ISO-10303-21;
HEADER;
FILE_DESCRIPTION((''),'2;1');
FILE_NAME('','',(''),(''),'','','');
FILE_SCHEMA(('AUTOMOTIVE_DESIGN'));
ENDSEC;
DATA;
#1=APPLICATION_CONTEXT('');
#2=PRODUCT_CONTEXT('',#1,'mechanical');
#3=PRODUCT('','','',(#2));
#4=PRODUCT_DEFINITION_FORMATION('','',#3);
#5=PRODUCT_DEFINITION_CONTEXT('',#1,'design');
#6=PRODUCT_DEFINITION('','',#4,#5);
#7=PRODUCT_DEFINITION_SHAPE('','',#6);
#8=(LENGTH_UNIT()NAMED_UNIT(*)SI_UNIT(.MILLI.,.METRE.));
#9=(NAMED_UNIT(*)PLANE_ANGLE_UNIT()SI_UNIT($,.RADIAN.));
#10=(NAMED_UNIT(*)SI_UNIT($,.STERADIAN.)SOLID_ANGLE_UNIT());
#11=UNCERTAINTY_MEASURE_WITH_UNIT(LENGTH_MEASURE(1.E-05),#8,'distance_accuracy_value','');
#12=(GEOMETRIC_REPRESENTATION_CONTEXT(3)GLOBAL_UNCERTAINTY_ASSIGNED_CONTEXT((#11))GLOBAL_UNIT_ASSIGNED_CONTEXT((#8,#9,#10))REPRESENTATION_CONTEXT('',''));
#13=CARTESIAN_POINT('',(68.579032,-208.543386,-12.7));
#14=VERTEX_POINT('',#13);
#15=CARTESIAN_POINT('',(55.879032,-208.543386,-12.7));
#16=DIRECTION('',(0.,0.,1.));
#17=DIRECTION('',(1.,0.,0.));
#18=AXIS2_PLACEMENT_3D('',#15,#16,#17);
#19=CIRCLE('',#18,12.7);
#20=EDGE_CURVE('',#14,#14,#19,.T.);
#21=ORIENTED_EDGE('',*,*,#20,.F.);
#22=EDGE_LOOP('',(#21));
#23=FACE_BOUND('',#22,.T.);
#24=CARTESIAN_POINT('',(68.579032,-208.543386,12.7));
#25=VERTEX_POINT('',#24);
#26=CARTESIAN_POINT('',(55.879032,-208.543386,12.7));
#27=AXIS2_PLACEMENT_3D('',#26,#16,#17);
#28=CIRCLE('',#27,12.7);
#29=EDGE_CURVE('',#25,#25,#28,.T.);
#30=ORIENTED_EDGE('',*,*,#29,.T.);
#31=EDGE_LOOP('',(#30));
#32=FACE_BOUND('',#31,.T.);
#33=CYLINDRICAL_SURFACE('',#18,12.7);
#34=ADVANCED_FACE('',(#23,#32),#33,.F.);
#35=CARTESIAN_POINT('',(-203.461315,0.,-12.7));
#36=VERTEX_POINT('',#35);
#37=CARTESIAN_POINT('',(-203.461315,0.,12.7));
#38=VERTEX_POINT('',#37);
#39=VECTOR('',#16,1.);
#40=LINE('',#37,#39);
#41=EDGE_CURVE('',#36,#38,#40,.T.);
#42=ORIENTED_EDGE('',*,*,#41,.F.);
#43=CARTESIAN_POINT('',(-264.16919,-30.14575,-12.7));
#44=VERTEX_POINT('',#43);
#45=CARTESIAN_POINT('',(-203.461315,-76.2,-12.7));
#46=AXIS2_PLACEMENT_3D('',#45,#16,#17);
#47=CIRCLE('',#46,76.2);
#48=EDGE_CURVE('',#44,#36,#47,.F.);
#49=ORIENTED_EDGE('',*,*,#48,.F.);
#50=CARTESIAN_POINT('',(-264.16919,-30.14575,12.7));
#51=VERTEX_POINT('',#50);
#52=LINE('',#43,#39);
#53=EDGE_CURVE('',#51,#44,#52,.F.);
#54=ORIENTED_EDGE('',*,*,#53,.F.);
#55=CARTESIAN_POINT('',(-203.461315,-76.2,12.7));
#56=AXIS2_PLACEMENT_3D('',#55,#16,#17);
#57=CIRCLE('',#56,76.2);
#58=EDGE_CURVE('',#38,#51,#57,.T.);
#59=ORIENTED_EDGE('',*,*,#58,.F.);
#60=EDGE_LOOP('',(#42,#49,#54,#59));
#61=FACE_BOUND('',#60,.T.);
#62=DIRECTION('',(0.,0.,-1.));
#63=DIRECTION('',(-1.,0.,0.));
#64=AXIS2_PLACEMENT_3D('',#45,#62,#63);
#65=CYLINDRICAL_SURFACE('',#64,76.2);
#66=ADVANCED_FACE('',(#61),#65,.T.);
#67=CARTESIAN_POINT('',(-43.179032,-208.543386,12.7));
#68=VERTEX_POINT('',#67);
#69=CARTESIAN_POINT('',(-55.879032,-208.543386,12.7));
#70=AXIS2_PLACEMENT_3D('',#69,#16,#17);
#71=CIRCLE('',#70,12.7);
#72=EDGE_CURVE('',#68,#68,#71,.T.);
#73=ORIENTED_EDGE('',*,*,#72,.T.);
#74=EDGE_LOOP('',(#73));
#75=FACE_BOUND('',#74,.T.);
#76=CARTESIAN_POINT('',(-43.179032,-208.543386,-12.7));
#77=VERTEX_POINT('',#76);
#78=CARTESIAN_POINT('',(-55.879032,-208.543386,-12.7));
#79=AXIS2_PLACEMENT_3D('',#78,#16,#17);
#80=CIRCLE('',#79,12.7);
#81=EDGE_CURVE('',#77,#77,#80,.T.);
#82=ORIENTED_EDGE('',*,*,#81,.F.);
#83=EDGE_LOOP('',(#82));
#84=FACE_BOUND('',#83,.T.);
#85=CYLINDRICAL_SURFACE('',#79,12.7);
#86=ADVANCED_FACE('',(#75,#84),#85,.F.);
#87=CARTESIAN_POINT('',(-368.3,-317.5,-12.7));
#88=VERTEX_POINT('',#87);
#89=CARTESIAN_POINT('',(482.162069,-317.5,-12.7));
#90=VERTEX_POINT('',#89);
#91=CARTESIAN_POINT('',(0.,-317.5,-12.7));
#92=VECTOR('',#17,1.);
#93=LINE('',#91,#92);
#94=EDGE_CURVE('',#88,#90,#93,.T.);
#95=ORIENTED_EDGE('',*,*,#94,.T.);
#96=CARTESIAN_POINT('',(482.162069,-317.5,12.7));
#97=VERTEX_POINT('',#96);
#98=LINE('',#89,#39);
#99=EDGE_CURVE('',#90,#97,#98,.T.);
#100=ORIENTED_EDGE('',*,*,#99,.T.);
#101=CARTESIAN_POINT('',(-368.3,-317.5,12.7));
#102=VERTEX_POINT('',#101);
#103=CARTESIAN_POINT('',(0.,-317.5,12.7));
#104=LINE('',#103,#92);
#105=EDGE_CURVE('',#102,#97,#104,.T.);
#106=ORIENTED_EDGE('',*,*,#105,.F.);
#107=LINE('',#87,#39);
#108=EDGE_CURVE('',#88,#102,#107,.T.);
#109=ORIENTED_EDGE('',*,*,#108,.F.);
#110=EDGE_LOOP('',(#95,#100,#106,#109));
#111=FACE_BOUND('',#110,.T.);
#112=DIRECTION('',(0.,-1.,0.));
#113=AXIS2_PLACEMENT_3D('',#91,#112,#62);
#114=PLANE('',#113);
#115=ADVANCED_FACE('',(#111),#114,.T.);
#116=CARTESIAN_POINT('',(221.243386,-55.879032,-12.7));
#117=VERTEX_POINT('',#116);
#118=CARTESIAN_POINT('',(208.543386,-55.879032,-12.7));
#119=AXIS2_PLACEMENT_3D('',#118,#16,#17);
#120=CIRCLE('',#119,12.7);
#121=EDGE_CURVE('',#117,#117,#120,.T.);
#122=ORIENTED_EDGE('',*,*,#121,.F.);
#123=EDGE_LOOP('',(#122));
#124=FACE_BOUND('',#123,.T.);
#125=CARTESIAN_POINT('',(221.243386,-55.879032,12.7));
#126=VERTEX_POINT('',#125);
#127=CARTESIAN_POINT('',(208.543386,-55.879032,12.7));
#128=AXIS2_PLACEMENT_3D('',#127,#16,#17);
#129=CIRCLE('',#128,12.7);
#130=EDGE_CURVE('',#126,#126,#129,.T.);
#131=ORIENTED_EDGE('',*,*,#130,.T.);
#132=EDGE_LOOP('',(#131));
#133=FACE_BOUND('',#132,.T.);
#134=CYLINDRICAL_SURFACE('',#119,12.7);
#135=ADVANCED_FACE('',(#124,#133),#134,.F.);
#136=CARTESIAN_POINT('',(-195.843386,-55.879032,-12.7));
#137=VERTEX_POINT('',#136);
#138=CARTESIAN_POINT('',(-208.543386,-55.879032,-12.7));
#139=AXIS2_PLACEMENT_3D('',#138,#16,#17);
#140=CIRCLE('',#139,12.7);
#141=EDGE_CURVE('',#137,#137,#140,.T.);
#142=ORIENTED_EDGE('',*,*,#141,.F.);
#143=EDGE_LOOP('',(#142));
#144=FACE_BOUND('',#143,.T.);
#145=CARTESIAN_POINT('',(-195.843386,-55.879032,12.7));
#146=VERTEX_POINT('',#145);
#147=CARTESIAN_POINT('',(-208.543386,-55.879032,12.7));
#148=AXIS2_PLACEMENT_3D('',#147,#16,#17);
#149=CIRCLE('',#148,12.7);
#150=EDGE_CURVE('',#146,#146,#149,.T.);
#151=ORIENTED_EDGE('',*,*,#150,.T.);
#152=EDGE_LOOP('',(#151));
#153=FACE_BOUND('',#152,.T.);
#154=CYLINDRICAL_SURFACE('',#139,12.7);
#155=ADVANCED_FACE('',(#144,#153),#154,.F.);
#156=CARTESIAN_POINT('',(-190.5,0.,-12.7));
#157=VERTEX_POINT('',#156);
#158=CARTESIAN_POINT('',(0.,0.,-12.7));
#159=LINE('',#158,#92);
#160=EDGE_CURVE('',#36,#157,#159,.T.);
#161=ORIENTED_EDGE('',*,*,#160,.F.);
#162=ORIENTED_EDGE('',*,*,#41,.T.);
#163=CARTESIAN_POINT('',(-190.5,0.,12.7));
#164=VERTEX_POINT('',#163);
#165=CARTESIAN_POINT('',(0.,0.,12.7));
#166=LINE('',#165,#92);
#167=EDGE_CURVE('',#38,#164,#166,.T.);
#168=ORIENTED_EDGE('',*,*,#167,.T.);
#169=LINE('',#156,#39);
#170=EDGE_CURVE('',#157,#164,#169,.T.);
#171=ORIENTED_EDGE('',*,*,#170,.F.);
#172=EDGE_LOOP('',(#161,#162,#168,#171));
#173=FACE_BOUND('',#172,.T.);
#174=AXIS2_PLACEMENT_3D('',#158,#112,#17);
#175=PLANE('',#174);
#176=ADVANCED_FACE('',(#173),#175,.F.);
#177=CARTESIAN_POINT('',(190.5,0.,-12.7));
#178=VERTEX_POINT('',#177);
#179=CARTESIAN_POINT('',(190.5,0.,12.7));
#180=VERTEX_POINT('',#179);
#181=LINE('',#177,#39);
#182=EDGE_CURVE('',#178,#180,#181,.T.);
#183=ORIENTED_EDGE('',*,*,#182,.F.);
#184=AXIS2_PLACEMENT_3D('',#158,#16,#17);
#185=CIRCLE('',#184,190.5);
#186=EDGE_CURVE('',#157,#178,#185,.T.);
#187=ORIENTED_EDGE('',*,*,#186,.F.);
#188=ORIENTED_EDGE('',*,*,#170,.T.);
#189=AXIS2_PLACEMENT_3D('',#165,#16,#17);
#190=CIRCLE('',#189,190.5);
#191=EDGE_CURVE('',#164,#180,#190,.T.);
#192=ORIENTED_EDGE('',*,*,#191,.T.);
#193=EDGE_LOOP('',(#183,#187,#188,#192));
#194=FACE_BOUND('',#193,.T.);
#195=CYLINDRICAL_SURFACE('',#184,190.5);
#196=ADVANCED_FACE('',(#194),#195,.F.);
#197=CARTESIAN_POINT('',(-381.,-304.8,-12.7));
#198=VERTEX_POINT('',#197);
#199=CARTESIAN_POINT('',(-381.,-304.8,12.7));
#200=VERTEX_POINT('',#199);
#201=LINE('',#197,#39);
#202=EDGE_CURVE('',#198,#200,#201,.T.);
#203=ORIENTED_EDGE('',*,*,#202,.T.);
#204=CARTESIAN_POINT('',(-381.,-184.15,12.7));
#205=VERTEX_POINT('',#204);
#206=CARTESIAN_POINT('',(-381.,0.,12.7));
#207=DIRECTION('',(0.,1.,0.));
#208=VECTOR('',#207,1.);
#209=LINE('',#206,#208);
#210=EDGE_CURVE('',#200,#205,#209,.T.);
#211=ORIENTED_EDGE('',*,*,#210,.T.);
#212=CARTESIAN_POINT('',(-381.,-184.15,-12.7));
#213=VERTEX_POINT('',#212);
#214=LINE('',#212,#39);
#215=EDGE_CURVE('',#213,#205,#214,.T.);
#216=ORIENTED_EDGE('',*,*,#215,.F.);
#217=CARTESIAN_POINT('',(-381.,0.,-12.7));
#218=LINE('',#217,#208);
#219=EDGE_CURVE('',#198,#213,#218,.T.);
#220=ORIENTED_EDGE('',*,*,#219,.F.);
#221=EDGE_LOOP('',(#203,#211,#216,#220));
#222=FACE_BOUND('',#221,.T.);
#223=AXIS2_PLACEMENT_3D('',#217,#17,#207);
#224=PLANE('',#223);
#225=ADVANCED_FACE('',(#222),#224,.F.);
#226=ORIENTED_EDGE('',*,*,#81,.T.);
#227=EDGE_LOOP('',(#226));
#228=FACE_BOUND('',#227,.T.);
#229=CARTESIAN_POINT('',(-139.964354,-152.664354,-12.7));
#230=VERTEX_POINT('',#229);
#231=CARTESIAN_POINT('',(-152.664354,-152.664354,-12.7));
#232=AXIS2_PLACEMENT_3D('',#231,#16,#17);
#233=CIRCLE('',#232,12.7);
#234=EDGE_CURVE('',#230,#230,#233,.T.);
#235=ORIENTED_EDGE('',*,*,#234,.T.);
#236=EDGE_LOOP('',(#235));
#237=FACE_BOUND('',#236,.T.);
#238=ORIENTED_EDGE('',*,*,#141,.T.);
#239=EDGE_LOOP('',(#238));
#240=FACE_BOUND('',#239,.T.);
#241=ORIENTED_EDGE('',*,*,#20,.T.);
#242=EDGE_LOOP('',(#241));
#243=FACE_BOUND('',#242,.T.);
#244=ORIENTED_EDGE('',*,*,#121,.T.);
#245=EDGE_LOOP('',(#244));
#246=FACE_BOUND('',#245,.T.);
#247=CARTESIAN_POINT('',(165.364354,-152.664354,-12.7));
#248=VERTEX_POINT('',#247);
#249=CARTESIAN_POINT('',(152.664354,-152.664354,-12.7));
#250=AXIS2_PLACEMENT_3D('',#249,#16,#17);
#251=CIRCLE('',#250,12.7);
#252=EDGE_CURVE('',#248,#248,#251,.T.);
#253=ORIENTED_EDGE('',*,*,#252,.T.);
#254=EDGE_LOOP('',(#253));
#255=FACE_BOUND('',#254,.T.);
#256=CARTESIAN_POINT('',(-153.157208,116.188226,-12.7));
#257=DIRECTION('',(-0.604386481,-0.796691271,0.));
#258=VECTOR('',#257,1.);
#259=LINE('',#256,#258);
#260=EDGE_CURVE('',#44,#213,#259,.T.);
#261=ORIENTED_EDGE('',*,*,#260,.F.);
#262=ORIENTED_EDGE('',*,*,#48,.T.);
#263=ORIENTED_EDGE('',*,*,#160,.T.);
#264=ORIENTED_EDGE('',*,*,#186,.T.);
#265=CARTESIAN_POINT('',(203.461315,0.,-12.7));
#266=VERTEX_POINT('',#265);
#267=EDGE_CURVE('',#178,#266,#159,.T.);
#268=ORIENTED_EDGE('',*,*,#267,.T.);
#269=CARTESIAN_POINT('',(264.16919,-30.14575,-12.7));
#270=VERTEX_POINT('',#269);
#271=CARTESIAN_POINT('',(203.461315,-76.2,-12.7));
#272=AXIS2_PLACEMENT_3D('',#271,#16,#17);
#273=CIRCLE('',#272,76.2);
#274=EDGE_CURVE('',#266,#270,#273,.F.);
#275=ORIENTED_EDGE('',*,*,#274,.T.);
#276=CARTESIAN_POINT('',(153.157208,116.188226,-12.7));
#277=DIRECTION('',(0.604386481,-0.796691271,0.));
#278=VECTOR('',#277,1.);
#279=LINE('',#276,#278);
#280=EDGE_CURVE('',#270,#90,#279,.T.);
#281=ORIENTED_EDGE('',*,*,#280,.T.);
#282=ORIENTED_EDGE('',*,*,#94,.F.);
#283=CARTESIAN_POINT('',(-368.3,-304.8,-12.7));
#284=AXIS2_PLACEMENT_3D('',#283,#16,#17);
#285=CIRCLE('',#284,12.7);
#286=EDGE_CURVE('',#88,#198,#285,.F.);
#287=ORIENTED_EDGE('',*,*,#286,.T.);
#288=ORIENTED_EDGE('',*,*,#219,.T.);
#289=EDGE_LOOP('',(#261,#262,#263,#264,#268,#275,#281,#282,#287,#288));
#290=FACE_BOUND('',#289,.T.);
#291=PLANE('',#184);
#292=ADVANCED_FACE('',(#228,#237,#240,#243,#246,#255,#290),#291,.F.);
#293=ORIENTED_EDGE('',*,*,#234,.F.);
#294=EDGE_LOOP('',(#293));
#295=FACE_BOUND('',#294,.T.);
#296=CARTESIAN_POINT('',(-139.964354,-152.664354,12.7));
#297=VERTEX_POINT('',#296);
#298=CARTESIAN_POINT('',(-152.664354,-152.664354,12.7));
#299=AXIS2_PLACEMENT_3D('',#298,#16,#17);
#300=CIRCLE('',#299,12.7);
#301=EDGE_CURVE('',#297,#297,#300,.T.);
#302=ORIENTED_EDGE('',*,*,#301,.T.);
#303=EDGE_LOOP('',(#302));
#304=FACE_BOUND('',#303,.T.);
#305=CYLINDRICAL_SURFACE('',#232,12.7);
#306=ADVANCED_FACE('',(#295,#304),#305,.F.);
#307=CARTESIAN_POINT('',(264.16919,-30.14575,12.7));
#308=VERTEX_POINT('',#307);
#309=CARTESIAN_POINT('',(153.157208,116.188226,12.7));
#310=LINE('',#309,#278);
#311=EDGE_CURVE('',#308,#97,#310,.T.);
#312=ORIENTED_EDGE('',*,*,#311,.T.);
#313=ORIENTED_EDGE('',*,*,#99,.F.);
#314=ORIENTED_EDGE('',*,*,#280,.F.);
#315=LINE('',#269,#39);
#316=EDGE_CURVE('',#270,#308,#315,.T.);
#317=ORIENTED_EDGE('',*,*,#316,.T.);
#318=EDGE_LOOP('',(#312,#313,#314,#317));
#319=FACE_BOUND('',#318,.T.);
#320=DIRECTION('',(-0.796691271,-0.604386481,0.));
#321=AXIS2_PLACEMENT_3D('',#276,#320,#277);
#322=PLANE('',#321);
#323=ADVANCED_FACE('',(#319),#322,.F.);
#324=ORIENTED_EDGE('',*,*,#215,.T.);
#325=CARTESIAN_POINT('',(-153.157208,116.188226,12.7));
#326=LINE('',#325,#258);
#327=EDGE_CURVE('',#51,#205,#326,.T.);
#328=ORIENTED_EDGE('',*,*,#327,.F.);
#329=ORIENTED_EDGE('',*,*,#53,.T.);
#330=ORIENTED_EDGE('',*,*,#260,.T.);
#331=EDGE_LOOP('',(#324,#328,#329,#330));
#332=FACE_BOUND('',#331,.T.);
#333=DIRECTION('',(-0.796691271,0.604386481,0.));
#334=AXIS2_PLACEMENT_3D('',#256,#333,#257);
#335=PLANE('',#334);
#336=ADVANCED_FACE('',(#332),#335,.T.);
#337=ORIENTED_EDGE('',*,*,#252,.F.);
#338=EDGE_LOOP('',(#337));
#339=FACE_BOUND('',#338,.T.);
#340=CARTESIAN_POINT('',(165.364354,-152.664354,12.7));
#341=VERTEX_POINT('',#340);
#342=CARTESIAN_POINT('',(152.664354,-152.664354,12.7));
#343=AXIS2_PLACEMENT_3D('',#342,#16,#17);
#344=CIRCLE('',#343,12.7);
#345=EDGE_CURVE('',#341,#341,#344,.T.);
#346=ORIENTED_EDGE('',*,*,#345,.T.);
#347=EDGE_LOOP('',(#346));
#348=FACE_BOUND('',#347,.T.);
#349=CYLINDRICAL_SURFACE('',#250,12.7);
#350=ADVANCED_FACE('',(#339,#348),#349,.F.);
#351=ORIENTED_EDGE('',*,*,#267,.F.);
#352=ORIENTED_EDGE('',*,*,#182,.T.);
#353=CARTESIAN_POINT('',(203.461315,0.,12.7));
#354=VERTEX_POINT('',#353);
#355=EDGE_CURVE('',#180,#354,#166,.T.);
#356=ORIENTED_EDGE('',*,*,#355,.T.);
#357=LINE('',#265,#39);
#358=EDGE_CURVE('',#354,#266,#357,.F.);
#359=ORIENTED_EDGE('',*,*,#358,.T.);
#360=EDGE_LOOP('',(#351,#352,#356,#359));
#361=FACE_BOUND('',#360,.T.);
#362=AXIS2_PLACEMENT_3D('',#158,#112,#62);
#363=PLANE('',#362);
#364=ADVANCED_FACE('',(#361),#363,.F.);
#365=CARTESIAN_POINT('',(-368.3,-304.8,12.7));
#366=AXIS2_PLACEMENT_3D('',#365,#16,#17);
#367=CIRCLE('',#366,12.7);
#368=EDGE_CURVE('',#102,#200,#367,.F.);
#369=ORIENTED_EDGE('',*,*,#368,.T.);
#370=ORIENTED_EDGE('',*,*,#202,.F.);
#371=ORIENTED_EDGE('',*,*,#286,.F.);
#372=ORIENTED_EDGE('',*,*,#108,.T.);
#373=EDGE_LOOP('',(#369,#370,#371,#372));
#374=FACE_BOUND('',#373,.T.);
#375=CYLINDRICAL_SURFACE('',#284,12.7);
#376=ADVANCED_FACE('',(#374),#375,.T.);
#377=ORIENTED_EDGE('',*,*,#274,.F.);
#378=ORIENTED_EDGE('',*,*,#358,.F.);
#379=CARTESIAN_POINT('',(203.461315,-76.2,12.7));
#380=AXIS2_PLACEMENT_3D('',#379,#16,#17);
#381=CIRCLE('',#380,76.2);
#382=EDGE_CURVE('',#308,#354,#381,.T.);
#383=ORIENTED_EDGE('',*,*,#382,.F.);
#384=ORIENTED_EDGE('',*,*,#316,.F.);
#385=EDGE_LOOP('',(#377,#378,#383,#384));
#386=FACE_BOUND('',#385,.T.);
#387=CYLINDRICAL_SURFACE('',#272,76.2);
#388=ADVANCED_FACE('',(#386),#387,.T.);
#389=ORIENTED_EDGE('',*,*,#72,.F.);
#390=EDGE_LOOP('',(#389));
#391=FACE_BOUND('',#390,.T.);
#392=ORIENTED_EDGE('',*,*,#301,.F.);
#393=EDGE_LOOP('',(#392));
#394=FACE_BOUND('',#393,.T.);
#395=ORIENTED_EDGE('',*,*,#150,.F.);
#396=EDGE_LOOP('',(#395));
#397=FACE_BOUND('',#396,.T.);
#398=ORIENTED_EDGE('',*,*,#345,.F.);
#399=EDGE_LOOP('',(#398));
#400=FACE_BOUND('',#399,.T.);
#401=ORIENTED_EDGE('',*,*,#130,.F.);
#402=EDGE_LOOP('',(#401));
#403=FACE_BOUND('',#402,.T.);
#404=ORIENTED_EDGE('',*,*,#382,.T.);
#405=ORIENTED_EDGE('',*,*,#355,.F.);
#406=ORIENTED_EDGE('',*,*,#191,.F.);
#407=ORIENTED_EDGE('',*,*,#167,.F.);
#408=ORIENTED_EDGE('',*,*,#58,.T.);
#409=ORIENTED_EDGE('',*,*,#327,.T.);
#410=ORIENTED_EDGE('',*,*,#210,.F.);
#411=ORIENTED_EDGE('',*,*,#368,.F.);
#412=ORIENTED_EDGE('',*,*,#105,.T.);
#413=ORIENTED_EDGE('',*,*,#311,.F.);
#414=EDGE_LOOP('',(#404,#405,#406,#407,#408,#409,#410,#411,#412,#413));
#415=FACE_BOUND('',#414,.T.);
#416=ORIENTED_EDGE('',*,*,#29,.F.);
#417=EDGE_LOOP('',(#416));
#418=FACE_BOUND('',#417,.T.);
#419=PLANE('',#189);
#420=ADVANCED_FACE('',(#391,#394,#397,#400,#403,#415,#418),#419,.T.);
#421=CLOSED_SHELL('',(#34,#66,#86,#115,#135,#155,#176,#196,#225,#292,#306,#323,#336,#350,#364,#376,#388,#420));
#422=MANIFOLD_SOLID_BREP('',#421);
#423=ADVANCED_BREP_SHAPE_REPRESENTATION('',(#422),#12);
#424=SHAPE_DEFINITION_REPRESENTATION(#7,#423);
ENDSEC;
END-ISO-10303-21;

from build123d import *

# Parameters (mm, degrees)
SKETCH1_R                = 12.7
BOSS_EXTRUDE1_DEPTH      = 12.7
BOSS_EXTRUDE1_DEPTH_BACK = 12.7
FILLET1_R                = 76.2


with BuildPart() as part:
    # Sketch1 → Boss-Extrude1 (new body, two sides)
    with BuildSketch(Plane.XY) as boss_extrude1_sk:
        with BuildLine():
            ThreePointArc((-381, -304.8), (-377.280256121, -313.780256121), (-368.3, -317.5))
            Line((-368.3, -317.5), (482.162068966, -317.5))
            Line((482.162068966, -317.5), (241.3, 0))
            Line((241.3, 0), (190.5, 0))
            ThreePointArc((190.5, 0), (0, -190.5), (-190.5, 0))
            Line((-190.5, 0), (-241.3, 0))
            Line((-241.3, 0), (-381, -184.15))
            Line((-381, -184.15), (-381, -304.8))
        make_face()
        with Locations((208.543385896, -55.879031838)):
            Circle(SKETCH1_R, mode=Mode.SUBTRACT)
        with Locations((-55.879031838, -208.543385896)):
            Circle(SKETCH1_R, mode=Mode.SUBTRACT)
        with Locations((-208.543385896, -55.879031838)):
            Circle(SKETCH1_R, mode=Mode.SUBTRACT)
        with Locations((-152.664354058, -152.664354058)):
            Circle(SKETCH1_R, mode=Mode.SUBTRACT)
        with Locations((55.879031838, -208.543385896)):
            Circle(SKETCH1_R, mode=Mode.SUBTRACT)
        with Locations((152.664354058, -152.664354058)):
            Circle(SKETCH1_R, mode=Mode.SUBTRACT)
    extrude(amount=BOSS_EXTRUDE1_DEPTH)
    extrude(boss_extrude1_sk.sketch, amount=-BOSS_EXTRUDE1_DEPTH_BACK)

    # Fillet1
    fillet1_edges = [part.edges().sort_by_distance(p)[0] for p in [
        (-241.3, 0, 0),
        (241.3, 0, 0),
    ]]
    fillet(fillet1_edges, radius=FILLET1_R)


solid = part.part
